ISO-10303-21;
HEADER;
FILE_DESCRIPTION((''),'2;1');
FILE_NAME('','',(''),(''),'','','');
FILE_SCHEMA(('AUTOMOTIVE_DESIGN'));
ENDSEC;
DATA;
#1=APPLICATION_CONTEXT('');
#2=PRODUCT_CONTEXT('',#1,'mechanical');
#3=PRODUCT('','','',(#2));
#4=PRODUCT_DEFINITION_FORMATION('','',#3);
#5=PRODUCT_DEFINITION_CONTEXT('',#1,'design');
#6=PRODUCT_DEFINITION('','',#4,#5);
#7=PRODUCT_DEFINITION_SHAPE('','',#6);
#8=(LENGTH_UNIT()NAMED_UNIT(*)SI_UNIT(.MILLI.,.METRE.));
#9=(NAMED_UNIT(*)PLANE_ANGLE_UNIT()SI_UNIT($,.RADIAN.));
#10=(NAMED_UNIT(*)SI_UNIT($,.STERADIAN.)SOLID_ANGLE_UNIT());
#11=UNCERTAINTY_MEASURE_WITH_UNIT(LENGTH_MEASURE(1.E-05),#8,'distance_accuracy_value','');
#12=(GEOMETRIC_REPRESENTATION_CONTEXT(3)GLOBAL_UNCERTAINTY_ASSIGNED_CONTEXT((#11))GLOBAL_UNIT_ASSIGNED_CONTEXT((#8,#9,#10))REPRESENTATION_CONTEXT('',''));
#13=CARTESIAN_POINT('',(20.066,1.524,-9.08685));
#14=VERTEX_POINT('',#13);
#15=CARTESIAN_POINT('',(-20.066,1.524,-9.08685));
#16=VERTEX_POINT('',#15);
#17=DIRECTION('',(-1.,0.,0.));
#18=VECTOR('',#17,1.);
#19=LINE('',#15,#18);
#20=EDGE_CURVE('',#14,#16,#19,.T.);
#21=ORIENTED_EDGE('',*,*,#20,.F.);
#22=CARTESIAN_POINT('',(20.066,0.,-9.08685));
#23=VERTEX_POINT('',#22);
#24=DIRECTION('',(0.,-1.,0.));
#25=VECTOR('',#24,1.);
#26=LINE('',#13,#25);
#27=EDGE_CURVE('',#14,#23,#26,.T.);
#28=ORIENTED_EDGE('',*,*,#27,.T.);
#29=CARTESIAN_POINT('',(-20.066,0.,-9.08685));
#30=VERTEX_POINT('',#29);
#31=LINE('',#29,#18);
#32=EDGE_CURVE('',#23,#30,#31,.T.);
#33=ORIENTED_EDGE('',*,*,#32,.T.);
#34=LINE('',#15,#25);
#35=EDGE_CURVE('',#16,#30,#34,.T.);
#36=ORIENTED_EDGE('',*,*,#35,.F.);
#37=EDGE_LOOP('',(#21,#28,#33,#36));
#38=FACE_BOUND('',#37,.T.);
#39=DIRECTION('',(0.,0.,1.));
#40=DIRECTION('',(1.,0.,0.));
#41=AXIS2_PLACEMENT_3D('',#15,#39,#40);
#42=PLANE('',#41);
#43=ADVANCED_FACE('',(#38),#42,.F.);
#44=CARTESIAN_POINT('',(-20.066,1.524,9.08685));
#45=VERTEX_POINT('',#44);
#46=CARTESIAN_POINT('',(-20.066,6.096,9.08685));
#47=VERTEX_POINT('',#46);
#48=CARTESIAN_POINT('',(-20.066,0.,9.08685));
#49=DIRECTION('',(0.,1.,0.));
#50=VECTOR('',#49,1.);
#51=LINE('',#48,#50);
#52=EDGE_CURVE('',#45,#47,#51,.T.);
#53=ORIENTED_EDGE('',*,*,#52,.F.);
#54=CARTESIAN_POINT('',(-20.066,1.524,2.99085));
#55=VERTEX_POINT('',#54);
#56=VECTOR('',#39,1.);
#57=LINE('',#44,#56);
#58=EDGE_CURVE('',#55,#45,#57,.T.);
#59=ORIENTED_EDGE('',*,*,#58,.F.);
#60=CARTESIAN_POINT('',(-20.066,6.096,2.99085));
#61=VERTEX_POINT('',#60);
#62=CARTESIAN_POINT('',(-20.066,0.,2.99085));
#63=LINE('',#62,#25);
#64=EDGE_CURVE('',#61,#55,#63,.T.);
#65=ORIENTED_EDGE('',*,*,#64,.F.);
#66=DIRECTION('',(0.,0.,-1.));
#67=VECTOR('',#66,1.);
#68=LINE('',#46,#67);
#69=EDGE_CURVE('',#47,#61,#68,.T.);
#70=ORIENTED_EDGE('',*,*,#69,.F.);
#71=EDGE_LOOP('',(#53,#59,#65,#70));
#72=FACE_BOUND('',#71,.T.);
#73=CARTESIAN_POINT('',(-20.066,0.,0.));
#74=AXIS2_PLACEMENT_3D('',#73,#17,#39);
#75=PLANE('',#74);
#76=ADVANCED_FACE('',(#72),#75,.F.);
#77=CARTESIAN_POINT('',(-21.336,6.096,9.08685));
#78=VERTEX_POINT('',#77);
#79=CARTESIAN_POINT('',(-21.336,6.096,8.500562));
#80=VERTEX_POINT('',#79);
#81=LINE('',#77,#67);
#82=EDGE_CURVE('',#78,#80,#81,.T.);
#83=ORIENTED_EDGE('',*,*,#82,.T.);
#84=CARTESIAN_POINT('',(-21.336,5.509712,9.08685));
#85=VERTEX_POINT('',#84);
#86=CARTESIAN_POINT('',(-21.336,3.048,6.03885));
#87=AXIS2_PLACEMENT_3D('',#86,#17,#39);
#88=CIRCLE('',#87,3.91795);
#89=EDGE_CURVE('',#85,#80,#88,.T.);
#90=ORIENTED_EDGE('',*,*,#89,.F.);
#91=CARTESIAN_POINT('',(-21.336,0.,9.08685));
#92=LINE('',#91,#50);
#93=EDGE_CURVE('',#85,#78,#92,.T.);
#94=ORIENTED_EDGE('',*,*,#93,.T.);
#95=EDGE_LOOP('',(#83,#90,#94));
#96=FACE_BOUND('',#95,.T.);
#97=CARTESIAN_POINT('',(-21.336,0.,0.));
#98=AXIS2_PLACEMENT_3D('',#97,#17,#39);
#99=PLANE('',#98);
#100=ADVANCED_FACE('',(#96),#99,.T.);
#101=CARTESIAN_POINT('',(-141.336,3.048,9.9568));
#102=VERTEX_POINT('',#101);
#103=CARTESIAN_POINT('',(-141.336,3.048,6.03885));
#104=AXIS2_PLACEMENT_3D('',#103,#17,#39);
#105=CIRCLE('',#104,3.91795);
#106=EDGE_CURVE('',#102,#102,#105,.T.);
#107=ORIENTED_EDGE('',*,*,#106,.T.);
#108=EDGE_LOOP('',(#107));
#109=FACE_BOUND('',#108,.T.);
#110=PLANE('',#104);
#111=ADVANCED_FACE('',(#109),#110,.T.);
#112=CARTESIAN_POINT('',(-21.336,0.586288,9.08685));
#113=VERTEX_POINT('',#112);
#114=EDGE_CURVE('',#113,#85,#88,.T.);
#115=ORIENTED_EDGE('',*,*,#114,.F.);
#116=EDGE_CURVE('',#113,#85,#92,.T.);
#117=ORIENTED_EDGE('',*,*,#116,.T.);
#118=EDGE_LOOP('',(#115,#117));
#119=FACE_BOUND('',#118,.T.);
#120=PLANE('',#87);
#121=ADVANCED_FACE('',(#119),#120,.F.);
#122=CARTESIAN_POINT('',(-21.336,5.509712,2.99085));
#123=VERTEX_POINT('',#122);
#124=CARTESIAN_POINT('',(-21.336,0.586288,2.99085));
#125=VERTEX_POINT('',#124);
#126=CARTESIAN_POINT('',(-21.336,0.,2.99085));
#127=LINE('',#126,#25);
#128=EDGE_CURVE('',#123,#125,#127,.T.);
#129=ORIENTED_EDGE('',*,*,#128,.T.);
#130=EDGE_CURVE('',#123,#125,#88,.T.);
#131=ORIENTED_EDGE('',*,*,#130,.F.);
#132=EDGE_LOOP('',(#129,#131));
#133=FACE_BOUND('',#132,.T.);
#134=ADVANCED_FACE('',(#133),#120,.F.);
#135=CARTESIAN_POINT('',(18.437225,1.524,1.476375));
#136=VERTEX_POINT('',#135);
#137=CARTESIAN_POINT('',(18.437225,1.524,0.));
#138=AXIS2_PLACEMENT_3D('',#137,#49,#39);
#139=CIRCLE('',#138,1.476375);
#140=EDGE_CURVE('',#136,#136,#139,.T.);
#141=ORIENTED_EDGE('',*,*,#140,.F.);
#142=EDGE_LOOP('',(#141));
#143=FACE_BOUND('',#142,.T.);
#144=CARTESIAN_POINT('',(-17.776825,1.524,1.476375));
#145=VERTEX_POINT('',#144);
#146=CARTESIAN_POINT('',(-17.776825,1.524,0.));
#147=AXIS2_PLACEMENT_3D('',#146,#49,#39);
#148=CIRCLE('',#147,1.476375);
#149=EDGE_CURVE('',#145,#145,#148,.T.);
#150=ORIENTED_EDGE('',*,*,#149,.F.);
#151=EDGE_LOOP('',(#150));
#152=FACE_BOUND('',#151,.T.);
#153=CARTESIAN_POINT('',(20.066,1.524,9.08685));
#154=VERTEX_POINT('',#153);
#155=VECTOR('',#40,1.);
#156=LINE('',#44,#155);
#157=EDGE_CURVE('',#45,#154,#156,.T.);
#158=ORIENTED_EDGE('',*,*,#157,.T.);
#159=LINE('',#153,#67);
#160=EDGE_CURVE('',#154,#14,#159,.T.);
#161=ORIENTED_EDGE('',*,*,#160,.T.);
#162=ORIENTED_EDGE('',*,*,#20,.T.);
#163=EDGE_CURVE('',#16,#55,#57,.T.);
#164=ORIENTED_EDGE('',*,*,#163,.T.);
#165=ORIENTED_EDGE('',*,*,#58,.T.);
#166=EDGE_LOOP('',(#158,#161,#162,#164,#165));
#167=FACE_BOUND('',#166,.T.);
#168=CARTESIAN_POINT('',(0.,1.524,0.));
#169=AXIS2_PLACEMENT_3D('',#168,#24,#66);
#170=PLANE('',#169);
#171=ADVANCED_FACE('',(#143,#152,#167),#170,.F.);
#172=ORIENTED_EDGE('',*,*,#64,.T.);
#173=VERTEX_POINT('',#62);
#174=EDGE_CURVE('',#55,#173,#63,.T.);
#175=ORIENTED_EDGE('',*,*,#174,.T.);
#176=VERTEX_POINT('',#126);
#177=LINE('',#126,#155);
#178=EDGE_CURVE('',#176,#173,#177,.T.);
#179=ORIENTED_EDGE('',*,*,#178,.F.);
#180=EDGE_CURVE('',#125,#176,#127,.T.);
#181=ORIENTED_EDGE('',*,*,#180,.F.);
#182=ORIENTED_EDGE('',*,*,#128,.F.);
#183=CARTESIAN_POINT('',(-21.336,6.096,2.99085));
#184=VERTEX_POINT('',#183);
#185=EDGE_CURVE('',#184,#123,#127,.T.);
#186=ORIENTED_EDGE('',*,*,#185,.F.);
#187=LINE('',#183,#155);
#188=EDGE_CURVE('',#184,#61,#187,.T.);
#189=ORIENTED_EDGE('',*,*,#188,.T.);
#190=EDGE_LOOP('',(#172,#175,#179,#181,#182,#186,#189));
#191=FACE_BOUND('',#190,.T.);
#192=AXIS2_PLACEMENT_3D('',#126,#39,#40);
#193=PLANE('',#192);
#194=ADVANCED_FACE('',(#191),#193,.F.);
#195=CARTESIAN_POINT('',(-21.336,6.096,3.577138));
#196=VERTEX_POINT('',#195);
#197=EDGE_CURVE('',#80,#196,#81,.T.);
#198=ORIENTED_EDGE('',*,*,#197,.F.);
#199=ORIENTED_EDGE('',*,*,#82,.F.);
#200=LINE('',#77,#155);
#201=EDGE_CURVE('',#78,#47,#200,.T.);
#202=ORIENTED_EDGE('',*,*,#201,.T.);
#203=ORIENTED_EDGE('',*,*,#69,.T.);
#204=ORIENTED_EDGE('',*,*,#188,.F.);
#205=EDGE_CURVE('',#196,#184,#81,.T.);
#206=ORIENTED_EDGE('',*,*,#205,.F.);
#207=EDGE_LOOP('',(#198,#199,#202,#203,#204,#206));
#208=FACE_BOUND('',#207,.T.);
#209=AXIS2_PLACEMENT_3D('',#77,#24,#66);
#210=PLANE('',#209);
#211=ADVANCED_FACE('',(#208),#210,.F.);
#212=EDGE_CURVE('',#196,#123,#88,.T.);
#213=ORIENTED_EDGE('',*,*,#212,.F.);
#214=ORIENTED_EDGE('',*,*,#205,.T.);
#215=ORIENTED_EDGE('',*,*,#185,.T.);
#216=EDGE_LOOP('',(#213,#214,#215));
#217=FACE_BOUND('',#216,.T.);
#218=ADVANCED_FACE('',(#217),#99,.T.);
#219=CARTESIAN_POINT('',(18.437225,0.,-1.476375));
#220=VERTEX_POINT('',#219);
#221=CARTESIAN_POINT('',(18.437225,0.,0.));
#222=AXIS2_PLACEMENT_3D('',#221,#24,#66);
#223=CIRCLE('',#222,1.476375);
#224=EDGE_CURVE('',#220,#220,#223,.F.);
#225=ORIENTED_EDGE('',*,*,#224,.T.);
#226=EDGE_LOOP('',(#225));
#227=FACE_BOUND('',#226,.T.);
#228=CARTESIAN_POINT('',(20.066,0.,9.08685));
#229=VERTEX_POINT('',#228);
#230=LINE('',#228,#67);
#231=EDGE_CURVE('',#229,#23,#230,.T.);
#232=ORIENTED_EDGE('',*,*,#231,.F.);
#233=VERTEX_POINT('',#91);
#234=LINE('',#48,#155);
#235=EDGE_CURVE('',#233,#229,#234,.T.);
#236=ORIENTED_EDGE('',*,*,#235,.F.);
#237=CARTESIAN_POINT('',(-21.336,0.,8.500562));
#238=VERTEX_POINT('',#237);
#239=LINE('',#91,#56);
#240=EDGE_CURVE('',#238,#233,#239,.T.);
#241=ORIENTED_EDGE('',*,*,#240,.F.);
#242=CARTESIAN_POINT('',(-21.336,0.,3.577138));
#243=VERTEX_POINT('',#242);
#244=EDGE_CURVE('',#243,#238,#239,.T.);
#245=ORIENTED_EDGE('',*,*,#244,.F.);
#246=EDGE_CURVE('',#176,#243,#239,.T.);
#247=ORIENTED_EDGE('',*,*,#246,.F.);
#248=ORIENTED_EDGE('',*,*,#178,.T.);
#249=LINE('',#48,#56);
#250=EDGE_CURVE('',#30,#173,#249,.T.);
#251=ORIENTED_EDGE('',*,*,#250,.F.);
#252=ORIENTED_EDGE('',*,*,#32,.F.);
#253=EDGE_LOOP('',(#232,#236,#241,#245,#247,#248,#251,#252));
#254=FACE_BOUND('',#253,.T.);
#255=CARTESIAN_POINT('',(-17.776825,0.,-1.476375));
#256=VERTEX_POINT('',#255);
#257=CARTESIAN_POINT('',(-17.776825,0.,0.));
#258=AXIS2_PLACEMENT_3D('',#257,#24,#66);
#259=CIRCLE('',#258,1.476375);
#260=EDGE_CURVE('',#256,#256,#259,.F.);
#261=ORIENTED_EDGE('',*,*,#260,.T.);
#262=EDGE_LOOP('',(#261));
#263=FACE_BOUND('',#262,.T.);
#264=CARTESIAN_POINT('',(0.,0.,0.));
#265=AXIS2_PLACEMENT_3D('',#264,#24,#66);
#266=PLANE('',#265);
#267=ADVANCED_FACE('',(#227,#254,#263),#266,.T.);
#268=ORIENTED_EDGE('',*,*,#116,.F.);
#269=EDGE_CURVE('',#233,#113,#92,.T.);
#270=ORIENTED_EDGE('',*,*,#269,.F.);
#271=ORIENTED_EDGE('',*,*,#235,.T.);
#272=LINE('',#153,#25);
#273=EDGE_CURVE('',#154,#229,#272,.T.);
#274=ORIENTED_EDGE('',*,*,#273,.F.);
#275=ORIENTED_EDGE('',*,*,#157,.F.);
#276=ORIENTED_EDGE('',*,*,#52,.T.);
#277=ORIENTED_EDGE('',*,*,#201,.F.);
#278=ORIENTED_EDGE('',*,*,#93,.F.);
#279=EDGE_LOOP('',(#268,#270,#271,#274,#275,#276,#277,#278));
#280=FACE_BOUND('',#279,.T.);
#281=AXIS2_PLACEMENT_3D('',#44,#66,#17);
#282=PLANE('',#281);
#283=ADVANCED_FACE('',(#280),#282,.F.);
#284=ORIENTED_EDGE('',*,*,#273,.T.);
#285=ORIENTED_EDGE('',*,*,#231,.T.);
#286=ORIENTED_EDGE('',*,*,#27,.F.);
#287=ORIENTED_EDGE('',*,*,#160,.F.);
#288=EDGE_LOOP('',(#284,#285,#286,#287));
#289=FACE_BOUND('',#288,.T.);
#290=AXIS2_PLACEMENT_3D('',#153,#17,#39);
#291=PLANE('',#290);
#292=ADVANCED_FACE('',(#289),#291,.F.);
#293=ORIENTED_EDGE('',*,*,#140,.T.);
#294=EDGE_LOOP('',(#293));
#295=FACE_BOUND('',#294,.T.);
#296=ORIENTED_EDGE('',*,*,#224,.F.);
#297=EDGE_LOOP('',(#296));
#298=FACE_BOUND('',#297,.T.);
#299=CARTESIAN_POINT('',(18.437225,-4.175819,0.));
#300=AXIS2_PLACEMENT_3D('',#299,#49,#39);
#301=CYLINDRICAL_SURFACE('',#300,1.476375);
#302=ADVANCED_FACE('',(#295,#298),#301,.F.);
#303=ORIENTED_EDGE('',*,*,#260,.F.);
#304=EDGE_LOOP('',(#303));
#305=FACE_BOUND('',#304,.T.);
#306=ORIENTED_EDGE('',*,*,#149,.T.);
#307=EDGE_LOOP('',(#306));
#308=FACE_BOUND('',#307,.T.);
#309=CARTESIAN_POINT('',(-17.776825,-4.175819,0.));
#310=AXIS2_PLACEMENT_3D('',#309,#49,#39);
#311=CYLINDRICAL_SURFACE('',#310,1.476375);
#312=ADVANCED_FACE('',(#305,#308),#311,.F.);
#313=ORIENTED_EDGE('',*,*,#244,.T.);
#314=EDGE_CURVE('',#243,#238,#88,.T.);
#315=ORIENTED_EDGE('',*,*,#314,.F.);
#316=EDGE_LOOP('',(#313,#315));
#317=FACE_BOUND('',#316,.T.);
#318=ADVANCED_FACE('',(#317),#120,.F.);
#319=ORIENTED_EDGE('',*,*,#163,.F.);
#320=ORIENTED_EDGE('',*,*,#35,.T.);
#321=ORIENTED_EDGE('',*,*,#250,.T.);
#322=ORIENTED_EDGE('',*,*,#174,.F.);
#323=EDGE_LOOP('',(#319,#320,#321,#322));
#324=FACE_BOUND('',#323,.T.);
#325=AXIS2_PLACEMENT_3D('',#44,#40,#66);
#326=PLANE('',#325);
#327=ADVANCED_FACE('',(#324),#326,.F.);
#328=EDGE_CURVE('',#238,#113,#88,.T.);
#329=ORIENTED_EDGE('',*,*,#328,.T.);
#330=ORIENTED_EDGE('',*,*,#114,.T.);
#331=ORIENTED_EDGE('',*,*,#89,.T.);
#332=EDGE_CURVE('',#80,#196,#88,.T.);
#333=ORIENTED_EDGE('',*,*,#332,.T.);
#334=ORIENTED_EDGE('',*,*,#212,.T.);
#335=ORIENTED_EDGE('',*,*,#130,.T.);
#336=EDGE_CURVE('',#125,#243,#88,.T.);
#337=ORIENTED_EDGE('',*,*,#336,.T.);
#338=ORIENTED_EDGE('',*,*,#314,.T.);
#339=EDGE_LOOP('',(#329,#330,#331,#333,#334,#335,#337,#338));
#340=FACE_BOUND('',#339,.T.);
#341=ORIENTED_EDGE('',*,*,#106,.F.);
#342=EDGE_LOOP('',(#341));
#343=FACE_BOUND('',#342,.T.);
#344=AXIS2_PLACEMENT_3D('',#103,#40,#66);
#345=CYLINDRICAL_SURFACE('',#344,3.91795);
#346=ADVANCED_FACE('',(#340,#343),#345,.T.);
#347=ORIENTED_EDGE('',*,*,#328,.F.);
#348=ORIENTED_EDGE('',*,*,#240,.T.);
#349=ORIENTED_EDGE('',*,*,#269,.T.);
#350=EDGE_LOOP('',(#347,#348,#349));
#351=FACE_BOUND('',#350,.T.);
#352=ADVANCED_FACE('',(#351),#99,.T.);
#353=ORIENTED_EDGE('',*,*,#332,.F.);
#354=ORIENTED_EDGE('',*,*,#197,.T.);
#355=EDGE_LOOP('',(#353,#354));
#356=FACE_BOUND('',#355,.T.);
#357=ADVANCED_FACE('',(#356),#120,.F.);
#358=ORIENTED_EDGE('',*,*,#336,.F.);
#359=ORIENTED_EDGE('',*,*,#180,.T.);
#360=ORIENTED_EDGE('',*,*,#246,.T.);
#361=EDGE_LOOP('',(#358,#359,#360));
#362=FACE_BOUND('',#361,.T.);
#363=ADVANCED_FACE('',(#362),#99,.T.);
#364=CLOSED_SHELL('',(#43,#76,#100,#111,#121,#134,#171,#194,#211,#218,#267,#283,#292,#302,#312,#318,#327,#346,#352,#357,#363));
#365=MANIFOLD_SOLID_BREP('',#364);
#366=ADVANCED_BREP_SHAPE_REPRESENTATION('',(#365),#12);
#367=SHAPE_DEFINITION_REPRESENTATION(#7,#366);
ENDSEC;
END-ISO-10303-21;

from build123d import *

# Parameters (mm, degrees)
SKETCH1_W           = 40.132
SKETCH1_H           = 18.1737
PCB_BOARD_DEPTH     = 1.524
SKETCH2_W           = 6.096
SKETCH2_H           = 6.096
BOSS_EXTRUDE1_DEPTH = 1.27
SKETCH3_R           = 3.91795
BOSS_EXTRUDE2_DEPTH = 120
SKETCH4_R           = 1.476375
CUT_EXTRUDE1_DEPTH  = 1.524


with BuildPart() as part:
    # Sketch1 → PCB board (new body)
    with BuildSketch(Plane(origin=(0, 0, 0), x_dir=(1, 0, 0), z_dir=(0, 1, 0))):
        Rectangle(SKETCH1_W, SKETCH1_H)
    extrude(amount=PCB_BOARD_DEPTH)

    # Sketch2 → Boss-Extrude1 (add)
    with BuildSketch(Plane.ZY.offset(20.066)):
        with Locations((6.03885, 3.048)):
            Rectangle(SKETCH2_W, SKETCH2_H)
    extrude(amount=BOSS_EXTRUDE1_DEPTH)

    # Sketch3 → Boss-Extrude2 (add)
    with BuildSketch(Plane.ZY.offset(21.336)):
        with Locations((6.03885, 3.048)):
            Circle(SKETCH3_R)
    extrude(amount=BOSS_EXTRUDE2_DEPTH)

    # Sketch4 → Cut-Extrude1 (cut)
    with BuildSketch(Plane(origin=(0, 1.524, 0), x_dir=(1, 0, 0), z_dir=(0, 1, 0))):
        with Locations((-17.776825, 0)):
            Circle(SKETCH4_R)
        with Locations((18.437225, 0)):
            Circle(SKETCH4_R)
    extrude(amount=-CUT_EXTRUDE1_DEPTH, mode=Mode.SUBTRACT)


solid = part.part
